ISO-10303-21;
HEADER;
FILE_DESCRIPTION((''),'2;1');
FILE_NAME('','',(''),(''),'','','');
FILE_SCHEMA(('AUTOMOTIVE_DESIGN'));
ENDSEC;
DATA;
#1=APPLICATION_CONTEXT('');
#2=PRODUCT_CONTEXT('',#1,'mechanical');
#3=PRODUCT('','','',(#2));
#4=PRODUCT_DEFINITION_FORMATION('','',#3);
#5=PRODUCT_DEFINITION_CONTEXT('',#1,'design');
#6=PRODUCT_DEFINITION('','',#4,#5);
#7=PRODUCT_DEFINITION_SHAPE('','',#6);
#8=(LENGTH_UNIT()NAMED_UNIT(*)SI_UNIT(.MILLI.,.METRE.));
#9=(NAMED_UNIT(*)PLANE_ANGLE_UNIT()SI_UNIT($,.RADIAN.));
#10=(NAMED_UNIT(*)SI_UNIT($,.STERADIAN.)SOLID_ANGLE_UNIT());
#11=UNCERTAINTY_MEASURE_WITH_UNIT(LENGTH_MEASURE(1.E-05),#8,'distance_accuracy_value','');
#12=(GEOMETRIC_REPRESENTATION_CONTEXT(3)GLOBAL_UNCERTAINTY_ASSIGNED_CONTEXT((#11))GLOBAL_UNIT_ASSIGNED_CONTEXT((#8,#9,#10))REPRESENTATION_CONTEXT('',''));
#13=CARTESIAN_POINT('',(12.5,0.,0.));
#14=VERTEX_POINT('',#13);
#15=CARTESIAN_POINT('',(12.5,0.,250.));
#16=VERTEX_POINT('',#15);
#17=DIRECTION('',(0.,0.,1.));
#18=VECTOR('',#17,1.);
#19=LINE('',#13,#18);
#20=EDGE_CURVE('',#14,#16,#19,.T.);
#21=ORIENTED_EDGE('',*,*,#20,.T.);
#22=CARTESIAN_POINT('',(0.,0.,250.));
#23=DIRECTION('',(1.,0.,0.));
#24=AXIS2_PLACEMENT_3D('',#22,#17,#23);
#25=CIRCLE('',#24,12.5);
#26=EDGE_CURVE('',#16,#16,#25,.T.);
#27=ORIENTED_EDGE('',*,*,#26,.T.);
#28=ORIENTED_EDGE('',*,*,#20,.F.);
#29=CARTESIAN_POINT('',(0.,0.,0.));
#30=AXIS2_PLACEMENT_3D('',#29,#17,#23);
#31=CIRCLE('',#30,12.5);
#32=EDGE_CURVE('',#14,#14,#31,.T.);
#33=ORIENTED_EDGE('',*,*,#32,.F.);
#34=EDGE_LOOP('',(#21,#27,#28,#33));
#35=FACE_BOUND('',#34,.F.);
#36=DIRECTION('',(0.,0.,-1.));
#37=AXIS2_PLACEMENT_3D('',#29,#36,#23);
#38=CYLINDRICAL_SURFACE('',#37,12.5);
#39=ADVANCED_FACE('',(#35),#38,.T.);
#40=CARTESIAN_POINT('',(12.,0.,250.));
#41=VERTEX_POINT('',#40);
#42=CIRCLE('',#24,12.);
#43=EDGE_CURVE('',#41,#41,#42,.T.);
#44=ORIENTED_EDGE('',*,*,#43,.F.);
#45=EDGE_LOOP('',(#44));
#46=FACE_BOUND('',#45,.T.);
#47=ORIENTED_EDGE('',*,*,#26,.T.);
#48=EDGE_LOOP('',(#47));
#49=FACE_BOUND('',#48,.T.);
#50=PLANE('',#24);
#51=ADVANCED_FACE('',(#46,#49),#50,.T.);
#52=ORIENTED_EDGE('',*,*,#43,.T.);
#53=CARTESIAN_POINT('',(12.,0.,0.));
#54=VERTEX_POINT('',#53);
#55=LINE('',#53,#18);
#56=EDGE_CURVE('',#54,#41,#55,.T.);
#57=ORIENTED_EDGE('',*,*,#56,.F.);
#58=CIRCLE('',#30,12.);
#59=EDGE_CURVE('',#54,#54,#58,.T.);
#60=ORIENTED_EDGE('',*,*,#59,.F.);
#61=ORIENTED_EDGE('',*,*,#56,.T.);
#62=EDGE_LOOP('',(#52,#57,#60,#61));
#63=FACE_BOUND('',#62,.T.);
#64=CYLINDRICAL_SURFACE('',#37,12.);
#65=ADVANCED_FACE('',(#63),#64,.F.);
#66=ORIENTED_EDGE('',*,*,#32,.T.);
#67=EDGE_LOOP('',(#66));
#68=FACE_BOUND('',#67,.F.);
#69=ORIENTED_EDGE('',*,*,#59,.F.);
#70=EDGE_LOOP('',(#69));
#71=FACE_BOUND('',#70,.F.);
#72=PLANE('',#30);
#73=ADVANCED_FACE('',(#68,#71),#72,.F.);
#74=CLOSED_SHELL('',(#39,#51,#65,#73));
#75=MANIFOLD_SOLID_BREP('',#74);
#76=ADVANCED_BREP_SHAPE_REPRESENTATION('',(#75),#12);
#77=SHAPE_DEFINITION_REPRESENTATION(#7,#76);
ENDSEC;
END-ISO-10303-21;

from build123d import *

# Parameters (mm, degrees)
SKETCH_R      = 12.5
SKETCH_R_2    = 12
EXTRUDE_DEPTH = 250


with BuildPart() as part:
    # Sketch → Extrude (new body)
    with BuildSketch(Plane.XY):
        Circle(SKETCH_R)
        Circle(SKETCH_R_2, mode=Mode.SUBTRACT)
    extrude(amount=EXTRUDE_DEPTH)


solid = part.part
